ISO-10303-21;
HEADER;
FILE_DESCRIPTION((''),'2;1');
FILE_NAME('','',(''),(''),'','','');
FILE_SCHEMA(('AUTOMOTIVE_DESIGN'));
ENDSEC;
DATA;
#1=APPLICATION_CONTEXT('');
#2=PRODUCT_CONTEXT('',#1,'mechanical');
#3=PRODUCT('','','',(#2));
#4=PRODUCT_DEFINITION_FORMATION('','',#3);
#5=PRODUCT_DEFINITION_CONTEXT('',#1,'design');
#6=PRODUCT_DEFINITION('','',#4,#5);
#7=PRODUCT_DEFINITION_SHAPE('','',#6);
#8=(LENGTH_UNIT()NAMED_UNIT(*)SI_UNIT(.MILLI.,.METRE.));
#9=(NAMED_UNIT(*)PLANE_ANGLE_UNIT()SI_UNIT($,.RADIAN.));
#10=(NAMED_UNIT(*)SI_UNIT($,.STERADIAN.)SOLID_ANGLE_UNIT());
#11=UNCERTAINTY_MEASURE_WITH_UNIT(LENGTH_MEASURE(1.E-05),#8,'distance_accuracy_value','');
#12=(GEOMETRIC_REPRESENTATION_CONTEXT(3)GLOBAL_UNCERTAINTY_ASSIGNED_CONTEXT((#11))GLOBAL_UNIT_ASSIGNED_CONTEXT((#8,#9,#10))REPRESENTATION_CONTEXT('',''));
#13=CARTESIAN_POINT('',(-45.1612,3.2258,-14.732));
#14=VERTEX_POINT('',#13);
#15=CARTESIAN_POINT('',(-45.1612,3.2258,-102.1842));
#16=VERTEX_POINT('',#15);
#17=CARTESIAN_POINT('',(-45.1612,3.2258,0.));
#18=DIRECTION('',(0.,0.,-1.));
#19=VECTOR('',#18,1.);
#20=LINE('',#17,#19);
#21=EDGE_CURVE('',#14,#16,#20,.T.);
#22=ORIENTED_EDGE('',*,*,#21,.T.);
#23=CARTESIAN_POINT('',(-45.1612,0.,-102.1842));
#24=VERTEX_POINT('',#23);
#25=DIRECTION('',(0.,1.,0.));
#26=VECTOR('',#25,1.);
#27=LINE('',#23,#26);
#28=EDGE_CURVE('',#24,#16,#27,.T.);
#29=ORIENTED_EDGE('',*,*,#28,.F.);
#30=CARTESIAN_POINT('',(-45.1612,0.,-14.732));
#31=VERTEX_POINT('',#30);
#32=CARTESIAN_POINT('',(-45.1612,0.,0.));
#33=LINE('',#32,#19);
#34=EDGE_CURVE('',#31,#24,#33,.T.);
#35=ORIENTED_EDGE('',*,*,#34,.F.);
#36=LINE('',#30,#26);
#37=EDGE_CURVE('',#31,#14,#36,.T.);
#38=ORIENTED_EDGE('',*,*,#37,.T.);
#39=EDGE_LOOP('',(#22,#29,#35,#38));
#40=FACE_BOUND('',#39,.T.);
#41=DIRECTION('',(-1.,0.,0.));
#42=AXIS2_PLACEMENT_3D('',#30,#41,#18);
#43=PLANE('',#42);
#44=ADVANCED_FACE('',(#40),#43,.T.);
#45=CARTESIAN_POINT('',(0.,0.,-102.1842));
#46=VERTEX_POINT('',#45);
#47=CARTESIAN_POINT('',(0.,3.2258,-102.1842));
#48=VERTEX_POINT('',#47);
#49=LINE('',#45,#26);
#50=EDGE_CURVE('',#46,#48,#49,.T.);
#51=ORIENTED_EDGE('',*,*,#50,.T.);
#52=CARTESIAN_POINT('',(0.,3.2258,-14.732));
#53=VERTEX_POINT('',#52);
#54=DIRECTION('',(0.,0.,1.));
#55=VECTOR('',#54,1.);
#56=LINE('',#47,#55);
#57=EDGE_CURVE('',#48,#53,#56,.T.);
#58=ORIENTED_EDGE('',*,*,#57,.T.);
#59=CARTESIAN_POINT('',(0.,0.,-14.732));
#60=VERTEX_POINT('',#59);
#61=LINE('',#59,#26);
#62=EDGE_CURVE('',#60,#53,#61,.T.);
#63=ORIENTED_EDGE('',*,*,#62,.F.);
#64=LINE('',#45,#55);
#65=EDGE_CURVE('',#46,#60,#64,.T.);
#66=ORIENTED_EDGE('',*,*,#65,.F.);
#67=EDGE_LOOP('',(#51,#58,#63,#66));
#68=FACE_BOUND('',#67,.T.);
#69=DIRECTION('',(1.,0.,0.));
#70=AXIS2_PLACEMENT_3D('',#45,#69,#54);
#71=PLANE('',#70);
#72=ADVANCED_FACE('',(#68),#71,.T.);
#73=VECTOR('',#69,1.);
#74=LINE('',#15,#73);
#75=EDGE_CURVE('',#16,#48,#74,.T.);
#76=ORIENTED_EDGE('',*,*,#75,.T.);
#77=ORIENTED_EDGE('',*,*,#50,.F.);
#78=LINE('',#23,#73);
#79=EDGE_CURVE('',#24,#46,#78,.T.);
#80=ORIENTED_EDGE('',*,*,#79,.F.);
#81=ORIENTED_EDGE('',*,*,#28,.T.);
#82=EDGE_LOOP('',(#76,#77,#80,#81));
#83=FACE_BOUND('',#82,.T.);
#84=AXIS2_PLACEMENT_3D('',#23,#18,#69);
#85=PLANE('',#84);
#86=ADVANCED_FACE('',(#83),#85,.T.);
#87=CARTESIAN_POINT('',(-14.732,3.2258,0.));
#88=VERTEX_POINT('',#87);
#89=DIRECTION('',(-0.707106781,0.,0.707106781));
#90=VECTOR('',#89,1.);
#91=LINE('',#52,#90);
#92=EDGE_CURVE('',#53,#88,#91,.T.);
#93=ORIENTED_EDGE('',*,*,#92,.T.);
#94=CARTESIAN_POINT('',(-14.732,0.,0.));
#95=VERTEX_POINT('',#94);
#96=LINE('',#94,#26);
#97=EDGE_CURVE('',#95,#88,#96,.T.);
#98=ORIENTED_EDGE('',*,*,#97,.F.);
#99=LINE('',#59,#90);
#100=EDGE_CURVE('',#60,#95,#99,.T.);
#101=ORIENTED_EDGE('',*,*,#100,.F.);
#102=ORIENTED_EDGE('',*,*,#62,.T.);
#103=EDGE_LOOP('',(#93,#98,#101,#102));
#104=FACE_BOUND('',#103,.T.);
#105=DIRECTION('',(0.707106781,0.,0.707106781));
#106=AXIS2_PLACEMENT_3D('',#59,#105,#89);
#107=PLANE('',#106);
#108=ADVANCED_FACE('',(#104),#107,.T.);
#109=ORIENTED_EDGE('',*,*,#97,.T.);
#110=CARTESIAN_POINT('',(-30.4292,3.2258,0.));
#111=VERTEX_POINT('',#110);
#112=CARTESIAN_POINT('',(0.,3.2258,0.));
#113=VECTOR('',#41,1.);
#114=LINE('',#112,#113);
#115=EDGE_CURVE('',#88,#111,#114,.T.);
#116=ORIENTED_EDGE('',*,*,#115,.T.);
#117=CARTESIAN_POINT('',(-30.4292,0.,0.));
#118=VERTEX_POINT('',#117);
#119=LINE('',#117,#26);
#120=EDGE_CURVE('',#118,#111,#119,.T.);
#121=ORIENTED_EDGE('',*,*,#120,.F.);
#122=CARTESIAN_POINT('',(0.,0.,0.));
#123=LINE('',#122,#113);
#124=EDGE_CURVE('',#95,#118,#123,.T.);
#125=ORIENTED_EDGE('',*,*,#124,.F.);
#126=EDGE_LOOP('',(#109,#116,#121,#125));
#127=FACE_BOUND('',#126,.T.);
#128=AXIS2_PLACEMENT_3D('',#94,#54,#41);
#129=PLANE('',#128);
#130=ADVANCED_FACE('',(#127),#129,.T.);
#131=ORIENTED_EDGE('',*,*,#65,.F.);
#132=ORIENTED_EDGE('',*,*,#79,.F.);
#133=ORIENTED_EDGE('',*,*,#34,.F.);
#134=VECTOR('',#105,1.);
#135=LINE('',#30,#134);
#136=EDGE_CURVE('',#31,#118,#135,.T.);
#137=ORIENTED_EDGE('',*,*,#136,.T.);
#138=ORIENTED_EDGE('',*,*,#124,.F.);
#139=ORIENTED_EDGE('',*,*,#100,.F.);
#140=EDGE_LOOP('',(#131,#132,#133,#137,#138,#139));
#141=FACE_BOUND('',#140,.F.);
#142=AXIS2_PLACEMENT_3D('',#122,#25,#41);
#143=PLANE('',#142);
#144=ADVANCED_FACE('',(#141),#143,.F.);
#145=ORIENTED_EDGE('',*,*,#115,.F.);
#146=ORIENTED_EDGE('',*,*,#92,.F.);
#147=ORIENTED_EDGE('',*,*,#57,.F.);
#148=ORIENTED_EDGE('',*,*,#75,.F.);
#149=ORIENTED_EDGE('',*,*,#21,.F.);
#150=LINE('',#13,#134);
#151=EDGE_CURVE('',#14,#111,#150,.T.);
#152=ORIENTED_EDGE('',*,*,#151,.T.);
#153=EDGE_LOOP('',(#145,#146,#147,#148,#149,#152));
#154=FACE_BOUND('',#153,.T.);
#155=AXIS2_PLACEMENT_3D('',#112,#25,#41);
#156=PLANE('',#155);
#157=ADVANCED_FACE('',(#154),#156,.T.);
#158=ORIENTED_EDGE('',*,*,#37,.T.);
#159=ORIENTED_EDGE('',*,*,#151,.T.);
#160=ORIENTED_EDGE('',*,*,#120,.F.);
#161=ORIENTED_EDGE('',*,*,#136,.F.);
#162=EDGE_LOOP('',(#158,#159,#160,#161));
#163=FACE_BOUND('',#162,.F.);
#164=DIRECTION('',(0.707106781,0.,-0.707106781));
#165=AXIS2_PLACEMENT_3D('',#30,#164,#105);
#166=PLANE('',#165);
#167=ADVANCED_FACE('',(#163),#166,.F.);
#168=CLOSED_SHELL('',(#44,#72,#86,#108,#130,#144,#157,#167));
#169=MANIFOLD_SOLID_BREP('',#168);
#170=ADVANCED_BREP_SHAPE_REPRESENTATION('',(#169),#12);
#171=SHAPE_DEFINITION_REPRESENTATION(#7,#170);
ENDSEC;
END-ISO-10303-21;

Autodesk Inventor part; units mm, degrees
ref_plane "YZ Plane" through (0, 0, 0) normal (1, 0, 0) x (0, 1, 0)
ref_plane "XZ Plane" through (0, 0, 0) normal (0, 1, 0) x (-1, 0, 0)
ref_plane "XY Plane" through (0, 0, 0) normal (0, 0, 1) x (1, 0, 0)
sketch "Sketch1" plane through (0, 0, 0) normal (0, 1, 0) x (-1, 0, 0)
  line L0 (0, 0) -> (45.1612, 0)
  line L1 (45.1612, 0) -> (45.1612, -102.1842)
  line L2 (45.1612, -102.1842) -> (0, -102.1842)
  line L3 (0, -102.1842) -> (0, 0)
  line L4 (45.1612, 0) -> (45.1612, -14.732) construction
  line L5 (45.1612, -14.732) -> (0, -14.732) construction
  line L6 (45.1612, -14.732) -> (30.4292, 0)
  line L7 (45.1612, -14.732) -> (65.9954, -14.732) construction
  line L8 (0, -14.732) -> (14.732, 0)
  dimension "d0" = 45.1612
  dimension "d1" = 102.1842
  dimension "d2" = 14.732
  dimension "d3" = 135
extrude "Extrusion1" add sketch "Sketch1" along normal blind 3.2258 contours L0 L6 L1 L2 L3 L8
properties part number "LightPad" material "Acetal Resin, White"
